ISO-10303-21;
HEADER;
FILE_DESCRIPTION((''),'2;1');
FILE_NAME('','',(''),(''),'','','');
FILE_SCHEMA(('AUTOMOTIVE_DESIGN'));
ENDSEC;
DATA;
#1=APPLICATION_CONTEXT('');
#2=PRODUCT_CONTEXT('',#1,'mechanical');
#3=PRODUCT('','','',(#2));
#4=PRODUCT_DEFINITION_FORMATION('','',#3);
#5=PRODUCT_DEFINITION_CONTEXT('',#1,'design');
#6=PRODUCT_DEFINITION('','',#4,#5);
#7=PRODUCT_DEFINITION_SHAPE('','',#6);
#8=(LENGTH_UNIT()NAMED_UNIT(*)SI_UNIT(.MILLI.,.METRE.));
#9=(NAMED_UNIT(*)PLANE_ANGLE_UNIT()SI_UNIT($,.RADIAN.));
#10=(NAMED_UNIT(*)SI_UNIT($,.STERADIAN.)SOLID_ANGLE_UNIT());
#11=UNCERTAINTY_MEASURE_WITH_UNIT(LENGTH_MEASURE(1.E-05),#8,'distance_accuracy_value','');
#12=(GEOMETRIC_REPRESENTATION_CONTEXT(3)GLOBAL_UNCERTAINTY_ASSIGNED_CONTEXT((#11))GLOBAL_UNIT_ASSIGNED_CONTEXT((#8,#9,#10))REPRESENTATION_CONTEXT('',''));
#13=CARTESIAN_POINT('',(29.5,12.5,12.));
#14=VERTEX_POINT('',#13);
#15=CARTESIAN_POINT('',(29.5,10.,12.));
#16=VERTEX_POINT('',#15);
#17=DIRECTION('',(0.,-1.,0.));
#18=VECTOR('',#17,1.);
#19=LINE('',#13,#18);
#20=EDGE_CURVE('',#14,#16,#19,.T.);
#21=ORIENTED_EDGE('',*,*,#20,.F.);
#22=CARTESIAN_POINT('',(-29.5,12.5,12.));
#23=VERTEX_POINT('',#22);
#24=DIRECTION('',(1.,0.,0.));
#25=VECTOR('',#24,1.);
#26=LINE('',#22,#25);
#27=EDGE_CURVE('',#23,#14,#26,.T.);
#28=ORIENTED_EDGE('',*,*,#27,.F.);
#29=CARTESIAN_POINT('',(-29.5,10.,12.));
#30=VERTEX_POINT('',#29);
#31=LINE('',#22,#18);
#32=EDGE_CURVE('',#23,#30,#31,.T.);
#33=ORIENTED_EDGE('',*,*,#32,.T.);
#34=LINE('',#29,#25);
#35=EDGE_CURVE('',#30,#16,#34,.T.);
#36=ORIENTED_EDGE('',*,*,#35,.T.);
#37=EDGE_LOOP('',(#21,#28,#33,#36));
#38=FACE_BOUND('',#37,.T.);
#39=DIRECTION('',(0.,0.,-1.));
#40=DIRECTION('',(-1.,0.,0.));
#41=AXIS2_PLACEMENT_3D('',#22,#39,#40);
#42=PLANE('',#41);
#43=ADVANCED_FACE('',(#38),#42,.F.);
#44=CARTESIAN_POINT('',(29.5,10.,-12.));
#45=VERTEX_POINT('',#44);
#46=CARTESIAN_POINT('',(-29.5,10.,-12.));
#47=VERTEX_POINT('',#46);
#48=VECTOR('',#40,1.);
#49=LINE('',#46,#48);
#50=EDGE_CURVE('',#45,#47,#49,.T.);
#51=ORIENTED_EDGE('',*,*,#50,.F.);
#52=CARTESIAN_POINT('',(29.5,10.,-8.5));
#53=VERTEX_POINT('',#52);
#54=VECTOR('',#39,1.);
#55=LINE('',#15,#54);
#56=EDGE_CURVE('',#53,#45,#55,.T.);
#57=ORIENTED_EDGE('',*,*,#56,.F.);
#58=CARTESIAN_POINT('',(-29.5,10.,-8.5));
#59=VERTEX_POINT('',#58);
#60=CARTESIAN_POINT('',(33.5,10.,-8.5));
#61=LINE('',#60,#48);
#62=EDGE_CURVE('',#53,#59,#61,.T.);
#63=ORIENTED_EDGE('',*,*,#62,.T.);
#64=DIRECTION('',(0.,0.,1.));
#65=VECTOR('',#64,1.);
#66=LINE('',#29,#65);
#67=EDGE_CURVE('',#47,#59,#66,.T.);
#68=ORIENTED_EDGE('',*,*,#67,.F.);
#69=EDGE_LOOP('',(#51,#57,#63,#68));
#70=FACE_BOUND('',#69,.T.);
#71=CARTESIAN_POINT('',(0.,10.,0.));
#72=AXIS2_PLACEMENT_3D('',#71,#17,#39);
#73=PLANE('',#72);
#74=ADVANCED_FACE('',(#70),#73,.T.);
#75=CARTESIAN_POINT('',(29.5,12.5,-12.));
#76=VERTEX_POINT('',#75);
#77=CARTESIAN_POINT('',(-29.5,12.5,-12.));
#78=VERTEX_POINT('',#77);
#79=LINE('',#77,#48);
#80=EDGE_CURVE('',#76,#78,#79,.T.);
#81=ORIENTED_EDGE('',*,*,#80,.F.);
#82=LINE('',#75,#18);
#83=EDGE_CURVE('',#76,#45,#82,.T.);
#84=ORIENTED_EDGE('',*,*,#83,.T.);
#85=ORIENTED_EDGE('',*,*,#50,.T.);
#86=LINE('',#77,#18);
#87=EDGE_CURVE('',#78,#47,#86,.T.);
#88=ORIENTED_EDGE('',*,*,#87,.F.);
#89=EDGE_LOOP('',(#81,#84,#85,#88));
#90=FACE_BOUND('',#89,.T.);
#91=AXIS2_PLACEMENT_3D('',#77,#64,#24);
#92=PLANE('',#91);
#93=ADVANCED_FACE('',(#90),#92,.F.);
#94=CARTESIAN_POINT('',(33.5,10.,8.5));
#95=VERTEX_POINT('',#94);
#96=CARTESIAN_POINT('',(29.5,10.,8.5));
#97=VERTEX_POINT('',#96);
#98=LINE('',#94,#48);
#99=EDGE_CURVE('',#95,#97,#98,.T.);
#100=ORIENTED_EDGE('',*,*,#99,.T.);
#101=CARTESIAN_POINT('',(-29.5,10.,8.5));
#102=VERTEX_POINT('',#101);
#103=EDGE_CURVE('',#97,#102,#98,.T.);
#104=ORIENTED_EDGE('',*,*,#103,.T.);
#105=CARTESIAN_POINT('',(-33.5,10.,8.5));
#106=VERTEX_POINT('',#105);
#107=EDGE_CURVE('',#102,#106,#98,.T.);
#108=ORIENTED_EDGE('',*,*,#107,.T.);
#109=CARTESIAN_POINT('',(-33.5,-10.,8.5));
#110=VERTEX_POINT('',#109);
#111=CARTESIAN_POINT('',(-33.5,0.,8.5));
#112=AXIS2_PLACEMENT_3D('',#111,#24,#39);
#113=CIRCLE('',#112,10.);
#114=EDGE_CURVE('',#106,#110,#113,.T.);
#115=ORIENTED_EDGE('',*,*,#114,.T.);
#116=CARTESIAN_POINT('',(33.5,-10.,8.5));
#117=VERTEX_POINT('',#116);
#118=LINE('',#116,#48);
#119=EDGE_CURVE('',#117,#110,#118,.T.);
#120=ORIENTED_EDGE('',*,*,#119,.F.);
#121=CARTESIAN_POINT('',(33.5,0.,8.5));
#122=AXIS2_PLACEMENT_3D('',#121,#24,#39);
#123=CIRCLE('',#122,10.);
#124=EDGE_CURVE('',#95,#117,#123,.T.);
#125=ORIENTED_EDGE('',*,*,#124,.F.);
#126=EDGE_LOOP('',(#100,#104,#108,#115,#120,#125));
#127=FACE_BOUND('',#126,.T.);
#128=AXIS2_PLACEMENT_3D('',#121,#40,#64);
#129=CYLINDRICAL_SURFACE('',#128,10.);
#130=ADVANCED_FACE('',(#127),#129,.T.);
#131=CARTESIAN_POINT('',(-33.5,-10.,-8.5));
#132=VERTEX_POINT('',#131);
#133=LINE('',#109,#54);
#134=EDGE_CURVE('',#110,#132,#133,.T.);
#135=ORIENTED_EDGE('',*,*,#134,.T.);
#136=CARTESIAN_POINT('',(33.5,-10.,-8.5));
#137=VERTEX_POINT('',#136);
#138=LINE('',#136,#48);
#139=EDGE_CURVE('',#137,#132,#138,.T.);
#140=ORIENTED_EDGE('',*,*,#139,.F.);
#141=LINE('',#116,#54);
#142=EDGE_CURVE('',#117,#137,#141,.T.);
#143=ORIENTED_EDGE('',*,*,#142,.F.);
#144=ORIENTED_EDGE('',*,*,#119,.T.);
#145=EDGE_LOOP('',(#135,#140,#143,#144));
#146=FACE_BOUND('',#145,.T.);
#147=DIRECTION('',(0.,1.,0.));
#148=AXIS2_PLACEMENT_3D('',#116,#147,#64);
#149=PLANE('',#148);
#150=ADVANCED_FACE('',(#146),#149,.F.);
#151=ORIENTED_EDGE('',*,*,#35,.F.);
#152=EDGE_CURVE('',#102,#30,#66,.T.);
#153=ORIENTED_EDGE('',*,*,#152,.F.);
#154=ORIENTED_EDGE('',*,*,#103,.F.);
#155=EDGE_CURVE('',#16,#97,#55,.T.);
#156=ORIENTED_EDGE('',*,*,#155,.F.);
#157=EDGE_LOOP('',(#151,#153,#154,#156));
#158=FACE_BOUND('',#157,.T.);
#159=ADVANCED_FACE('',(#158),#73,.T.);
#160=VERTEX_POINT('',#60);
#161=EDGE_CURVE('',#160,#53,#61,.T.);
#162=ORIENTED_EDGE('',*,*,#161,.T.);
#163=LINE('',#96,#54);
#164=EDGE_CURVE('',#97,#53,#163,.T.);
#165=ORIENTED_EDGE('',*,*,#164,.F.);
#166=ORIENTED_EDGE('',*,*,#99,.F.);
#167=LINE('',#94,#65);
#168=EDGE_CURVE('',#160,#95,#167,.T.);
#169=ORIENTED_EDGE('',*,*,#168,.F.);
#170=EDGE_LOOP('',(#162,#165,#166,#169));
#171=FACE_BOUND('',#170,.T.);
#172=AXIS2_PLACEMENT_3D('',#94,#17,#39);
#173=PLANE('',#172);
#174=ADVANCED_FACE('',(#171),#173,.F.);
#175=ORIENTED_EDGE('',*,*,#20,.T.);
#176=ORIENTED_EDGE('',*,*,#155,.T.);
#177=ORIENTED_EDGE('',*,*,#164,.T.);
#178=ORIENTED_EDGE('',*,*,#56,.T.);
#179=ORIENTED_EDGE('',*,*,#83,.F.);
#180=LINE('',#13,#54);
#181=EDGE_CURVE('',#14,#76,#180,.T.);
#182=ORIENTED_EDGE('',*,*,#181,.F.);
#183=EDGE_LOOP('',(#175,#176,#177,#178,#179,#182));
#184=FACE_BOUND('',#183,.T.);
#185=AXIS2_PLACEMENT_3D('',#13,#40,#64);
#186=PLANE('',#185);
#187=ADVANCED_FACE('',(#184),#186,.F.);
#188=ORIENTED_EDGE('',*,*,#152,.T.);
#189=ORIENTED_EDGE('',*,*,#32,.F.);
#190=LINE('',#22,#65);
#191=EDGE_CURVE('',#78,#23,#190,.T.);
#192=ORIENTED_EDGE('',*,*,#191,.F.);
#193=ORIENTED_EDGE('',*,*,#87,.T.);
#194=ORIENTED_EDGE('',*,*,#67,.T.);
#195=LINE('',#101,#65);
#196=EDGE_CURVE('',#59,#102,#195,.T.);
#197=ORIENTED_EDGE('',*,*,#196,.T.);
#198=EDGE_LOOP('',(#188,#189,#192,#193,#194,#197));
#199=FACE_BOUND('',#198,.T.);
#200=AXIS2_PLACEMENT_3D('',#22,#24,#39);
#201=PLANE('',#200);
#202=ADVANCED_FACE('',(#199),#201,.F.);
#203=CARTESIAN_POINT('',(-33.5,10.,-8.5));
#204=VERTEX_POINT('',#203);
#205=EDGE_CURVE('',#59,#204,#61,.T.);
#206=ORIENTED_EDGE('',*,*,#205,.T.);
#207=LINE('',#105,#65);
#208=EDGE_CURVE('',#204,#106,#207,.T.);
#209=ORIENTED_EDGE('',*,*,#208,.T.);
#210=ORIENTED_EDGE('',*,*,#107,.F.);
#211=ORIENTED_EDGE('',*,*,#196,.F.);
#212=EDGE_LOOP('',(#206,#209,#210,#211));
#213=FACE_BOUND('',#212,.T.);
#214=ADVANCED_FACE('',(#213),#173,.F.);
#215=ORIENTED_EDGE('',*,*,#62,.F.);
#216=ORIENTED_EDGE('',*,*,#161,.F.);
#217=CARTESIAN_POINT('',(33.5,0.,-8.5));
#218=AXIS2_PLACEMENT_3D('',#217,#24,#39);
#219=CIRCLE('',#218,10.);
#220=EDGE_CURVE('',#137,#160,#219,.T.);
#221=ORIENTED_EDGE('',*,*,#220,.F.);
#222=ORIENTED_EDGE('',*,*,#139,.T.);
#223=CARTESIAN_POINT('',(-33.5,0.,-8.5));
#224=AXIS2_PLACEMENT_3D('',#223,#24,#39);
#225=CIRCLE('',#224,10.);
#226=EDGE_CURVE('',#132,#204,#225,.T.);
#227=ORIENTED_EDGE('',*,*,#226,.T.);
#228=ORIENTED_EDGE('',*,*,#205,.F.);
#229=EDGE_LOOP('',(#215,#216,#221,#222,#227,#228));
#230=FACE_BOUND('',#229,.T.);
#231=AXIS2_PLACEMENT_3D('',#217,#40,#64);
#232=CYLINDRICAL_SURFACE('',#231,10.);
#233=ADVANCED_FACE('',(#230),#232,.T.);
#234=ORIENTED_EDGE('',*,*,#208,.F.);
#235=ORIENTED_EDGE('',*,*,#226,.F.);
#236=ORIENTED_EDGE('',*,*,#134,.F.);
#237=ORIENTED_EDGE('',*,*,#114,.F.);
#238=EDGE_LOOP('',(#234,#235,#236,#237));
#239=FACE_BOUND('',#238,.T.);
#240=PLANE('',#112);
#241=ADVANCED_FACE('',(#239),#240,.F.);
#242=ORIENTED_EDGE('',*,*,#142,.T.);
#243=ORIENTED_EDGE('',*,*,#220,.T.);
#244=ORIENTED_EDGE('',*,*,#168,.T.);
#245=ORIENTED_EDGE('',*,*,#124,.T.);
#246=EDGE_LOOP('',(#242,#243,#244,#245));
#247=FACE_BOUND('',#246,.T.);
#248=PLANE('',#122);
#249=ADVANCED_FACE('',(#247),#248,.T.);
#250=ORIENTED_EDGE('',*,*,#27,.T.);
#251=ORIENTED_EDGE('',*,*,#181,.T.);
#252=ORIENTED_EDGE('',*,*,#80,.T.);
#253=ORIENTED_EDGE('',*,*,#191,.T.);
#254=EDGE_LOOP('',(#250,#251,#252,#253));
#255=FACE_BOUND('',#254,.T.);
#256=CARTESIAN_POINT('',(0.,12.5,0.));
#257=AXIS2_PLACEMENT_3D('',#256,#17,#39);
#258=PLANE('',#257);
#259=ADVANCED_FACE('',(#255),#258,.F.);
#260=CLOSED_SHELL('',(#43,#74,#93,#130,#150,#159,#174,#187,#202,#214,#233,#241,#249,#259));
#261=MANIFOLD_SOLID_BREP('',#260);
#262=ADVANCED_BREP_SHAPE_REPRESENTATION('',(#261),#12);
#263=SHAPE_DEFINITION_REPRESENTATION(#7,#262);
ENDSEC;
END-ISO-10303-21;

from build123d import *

# Parameters (mm, degrees)
EXTRUDE_1_DEPTH = 33.5
SKETCH_2_W      = 59
SKETCH_2_H      = 24
EXTRUDE_2_DEPTH = 2.5


with BuildPart() as part:
    # 草图1 → 凸台-拉伸1 (new, symmetric)
    with BuildSketch(Plane(origin=(0, 0, 0), x_dir=(0, 0, -1), z_dir=(1, 0, 0))):
        with BuildLine():
            Line((-8.5, 10), (8.5, 10))
            ThreePointArc((8.5, 10), (18.5, 0), (8.5, -10))
            Line((8.5, -10), (-8.5, -10))
            ThreePointArc((-8.5, -10), (-18.5, 0), (-8.5, 10))
        make_face()
    extrude(amount=EXTRUDE_1_DEPTH, both=True)

    # 草图2 → 凸台-拉伸2 (add)
    with BuildSketch(Plane(origin=(0, 10, 0), x_dir=(1, 0, 0), z_dir=(0, 1, 0))):
        Rectangle(SKETCH_2_W, SKETCH_2_H)
    extrude(amount=EXTRUDE_2_DEPTH)


solid = part.part
